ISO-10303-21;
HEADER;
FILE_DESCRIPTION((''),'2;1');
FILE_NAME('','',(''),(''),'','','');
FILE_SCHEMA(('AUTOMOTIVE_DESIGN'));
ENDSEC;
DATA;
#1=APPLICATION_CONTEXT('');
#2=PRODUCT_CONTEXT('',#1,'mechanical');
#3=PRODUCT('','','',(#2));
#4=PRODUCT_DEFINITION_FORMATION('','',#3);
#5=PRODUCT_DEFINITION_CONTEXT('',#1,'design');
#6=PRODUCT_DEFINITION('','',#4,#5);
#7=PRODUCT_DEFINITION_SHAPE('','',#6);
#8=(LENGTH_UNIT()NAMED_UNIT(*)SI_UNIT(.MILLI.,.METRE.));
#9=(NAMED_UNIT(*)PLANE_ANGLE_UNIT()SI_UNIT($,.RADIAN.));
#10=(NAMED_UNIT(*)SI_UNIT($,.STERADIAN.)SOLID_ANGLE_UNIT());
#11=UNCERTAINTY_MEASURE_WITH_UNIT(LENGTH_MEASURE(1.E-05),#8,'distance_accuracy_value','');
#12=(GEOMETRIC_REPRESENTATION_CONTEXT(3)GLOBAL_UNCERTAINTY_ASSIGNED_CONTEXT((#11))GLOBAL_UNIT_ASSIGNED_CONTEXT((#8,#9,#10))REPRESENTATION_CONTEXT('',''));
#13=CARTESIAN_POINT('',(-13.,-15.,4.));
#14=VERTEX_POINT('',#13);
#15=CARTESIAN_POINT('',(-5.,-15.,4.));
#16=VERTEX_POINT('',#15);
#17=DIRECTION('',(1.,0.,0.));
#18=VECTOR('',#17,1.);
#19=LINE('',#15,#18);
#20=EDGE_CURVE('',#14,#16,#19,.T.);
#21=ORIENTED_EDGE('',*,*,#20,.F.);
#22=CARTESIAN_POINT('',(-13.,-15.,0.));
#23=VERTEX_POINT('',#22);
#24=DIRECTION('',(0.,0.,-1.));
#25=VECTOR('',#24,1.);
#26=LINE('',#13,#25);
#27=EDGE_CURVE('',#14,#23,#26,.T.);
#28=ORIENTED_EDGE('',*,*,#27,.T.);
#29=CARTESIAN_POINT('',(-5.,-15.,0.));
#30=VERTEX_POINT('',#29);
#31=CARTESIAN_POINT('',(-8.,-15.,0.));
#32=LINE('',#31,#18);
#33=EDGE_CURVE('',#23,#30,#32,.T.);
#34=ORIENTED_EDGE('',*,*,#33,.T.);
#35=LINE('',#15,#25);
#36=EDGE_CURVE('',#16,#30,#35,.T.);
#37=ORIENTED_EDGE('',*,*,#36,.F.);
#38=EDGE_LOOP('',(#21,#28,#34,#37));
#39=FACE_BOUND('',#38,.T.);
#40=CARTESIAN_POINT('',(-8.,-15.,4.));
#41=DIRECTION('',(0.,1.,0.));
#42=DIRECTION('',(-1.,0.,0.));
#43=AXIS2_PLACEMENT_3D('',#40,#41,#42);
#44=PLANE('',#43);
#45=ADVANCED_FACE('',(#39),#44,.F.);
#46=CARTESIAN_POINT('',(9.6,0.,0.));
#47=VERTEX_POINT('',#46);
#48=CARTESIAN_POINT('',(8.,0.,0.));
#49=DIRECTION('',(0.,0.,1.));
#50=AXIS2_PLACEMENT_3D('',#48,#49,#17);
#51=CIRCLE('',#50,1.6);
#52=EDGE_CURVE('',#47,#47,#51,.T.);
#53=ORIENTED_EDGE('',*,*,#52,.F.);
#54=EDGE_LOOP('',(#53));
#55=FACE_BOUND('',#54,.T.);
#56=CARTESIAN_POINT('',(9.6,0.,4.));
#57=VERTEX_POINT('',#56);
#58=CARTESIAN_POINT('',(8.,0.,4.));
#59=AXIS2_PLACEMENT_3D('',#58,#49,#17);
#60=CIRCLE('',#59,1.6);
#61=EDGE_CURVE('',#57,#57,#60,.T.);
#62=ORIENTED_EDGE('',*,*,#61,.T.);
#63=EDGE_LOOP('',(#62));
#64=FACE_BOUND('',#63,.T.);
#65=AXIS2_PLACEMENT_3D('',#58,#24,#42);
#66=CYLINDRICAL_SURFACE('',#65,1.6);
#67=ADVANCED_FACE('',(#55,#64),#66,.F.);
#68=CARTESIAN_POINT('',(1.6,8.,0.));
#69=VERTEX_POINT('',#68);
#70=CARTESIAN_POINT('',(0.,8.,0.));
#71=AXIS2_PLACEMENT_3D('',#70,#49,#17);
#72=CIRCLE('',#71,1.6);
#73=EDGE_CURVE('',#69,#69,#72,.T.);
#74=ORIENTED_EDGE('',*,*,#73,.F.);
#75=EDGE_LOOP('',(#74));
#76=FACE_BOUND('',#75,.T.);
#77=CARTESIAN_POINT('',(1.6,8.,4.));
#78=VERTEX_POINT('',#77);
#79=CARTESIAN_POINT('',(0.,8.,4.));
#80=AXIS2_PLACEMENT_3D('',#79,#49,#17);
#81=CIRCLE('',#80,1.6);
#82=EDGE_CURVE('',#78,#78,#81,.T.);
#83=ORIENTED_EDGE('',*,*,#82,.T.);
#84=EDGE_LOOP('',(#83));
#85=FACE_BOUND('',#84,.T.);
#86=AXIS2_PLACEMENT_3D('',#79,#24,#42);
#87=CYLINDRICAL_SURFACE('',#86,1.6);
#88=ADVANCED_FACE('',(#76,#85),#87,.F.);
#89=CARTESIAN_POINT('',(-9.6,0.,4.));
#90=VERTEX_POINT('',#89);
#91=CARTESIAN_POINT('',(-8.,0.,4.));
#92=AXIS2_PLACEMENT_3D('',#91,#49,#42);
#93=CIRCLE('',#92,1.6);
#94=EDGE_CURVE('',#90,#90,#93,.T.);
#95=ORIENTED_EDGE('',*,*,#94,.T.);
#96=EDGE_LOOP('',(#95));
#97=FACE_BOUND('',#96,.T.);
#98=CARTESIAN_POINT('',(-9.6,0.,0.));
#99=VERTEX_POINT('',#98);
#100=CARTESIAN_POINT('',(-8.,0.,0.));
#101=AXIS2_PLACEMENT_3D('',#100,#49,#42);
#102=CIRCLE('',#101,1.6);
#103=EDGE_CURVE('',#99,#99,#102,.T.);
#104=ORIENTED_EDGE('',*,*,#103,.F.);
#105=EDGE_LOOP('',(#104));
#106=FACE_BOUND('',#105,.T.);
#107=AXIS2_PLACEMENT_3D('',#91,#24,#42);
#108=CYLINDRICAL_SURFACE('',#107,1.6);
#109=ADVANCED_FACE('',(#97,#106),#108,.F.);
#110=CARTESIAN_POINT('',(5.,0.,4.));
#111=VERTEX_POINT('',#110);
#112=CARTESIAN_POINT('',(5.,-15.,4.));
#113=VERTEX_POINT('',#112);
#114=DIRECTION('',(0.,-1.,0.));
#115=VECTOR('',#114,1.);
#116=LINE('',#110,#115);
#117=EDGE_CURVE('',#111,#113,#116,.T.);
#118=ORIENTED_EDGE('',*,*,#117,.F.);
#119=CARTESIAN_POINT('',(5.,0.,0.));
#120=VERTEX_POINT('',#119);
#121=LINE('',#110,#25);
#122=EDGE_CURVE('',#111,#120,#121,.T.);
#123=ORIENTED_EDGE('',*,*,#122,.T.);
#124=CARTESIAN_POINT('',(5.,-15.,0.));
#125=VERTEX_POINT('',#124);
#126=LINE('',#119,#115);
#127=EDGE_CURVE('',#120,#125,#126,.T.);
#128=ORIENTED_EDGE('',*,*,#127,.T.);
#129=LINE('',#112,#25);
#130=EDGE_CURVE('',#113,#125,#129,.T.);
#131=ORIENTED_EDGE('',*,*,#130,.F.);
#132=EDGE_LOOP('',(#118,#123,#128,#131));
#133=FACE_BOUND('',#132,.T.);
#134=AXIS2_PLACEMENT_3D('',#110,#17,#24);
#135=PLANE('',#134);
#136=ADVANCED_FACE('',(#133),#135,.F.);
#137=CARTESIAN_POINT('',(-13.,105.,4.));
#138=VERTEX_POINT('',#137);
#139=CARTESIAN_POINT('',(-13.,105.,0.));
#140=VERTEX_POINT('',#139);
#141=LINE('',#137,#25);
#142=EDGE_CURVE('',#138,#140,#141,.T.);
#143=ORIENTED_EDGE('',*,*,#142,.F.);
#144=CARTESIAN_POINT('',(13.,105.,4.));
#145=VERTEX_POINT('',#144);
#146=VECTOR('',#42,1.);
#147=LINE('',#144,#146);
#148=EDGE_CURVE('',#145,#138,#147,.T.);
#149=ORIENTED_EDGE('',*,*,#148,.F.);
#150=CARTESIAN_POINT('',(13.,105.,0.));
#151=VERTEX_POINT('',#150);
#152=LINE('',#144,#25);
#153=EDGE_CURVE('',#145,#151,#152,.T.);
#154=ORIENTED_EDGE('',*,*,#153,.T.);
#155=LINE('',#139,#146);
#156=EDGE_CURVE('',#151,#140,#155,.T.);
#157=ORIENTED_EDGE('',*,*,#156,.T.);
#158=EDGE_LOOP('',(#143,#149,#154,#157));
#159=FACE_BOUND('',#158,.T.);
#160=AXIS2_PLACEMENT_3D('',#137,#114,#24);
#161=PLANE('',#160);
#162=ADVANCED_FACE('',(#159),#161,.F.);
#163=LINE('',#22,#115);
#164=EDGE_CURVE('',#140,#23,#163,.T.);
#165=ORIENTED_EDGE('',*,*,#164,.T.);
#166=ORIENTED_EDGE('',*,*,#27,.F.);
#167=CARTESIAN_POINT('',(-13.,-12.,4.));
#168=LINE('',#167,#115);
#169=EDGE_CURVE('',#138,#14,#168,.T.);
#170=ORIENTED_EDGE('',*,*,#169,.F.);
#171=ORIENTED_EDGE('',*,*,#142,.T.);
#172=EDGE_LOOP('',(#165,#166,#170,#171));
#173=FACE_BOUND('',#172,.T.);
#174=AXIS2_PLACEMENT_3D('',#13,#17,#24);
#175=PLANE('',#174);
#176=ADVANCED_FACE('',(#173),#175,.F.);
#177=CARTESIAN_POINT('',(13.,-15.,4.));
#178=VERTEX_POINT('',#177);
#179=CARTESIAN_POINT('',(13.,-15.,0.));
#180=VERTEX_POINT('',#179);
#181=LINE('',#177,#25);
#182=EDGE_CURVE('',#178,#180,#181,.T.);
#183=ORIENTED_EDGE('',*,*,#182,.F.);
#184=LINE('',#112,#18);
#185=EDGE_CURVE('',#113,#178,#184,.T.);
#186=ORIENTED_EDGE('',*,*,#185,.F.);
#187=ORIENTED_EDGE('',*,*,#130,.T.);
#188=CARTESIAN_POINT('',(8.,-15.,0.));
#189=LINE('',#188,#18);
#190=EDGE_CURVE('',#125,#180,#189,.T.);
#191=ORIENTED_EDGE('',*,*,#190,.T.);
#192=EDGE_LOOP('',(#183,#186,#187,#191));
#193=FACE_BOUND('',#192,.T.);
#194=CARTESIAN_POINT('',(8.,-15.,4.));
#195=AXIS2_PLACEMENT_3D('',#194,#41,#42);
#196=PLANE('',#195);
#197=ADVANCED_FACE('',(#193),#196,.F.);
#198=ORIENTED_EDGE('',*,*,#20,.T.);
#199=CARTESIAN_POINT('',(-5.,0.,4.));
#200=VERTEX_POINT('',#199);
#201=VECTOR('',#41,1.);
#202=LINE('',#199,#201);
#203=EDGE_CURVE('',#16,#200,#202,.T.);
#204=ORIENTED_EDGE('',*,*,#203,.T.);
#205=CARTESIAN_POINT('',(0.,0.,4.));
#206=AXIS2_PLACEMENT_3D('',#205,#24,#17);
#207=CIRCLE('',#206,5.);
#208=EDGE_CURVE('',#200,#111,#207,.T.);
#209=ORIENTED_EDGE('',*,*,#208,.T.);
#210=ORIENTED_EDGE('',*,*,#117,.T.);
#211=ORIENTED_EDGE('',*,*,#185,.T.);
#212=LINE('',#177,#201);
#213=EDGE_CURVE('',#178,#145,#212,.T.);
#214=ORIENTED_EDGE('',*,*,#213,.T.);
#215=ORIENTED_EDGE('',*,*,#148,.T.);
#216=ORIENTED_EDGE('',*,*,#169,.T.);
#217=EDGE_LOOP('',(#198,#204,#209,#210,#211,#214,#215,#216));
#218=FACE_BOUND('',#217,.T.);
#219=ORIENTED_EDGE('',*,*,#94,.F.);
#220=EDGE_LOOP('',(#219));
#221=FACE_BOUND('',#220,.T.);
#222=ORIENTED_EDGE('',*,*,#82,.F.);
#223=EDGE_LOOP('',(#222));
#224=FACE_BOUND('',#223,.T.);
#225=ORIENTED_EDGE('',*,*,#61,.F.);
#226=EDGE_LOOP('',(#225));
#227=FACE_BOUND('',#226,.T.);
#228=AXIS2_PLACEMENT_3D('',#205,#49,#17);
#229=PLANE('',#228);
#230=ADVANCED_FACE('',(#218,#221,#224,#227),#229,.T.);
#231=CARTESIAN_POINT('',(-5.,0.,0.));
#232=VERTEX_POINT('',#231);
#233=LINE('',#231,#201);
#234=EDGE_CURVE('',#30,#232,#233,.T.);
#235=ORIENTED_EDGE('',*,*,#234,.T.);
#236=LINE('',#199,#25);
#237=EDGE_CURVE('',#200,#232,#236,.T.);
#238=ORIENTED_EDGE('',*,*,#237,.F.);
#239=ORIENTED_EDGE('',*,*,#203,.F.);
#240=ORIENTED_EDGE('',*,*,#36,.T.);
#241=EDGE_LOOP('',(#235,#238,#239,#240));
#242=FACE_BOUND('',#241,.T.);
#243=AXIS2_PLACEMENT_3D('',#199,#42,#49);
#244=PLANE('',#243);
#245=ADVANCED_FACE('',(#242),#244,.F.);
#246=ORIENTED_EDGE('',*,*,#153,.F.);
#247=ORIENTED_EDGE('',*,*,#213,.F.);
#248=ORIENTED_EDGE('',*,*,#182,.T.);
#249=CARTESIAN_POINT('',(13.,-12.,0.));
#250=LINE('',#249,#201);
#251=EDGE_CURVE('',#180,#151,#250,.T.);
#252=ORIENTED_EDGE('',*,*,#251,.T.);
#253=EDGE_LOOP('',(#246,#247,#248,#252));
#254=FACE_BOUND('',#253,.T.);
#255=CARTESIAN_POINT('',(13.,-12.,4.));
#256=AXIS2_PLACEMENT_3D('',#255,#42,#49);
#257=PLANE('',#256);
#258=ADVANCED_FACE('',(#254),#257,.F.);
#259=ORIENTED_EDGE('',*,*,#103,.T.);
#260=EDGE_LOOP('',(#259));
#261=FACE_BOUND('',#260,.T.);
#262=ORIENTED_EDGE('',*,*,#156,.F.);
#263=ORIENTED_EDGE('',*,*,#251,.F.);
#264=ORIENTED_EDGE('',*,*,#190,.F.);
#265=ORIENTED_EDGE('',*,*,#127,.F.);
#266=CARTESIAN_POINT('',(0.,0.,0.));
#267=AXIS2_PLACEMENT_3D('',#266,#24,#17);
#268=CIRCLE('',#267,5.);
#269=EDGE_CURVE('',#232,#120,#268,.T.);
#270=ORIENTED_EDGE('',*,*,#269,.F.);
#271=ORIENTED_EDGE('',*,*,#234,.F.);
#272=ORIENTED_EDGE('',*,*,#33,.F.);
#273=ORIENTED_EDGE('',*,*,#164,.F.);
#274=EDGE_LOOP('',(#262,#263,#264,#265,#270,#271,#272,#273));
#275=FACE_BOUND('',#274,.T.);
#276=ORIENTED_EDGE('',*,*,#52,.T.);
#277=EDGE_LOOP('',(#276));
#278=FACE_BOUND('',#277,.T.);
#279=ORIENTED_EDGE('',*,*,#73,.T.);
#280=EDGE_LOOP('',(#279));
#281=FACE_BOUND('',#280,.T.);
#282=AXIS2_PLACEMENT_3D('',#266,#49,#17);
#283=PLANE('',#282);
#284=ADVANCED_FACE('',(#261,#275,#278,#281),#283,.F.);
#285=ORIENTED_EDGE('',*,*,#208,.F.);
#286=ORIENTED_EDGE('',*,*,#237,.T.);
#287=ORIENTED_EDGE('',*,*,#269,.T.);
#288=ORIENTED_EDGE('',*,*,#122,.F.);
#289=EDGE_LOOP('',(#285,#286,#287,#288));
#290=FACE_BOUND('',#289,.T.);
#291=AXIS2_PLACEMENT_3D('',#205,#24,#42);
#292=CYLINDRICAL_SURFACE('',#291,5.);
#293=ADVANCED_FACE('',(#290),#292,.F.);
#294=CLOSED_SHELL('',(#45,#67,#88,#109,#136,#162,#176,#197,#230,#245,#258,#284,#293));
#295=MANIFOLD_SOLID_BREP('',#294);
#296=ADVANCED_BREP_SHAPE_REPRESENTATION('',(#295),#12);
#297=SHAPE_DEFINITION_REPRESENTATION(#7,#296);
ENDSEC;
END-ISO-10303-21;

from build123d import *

# Parameters (mm, degrees)
SKETCH_1_R      = 1.6
EXTRUDE_1_DEPTH = 4


with BuildPart() as part:
    # 草图1 → 凸台-拉伸1 (new body)
    with BuildSketch(Plane.XY):
        with BuildLine():
            Line((-8, -15), (-13, -15))
            Line((-13, -15), (-13, -12))
            Line((-13, -12), (-13, 105))
            Line((-13, 105), (-11, 105))
            Line((-11, 105), (11, 105))
            Line((11, 105), (13, 105))
            Line((13, 105), (13, -12))
            Line((13, -12), (13, -15))
            Line((13, -15), (8, -15))
            Line((8, -15), (5, -15))
            Line((5, -15), (5, 0))
            ThreePointArc((5, 0), (0, 5), (-5, 0))
            Line((-5, 0), (-5, -15))
            Line((-5, -15), (-8, -15))
        make_face()
        with Locations((8, 0)):
            Circle(SKETCH_1_R, mode=Mode.SUBTRACT)
        with Locations((-8, 0)):
            Circle(SKETCH_1_R, mode=Mode.SUBTRACT)
        with Locations((0, 8)):
            Circle(SKETCH_1_R, mode=Mode.SUBTRACT)
    extrude(amount=EXTRUDE_1_DEPTH)


solid = part.part
